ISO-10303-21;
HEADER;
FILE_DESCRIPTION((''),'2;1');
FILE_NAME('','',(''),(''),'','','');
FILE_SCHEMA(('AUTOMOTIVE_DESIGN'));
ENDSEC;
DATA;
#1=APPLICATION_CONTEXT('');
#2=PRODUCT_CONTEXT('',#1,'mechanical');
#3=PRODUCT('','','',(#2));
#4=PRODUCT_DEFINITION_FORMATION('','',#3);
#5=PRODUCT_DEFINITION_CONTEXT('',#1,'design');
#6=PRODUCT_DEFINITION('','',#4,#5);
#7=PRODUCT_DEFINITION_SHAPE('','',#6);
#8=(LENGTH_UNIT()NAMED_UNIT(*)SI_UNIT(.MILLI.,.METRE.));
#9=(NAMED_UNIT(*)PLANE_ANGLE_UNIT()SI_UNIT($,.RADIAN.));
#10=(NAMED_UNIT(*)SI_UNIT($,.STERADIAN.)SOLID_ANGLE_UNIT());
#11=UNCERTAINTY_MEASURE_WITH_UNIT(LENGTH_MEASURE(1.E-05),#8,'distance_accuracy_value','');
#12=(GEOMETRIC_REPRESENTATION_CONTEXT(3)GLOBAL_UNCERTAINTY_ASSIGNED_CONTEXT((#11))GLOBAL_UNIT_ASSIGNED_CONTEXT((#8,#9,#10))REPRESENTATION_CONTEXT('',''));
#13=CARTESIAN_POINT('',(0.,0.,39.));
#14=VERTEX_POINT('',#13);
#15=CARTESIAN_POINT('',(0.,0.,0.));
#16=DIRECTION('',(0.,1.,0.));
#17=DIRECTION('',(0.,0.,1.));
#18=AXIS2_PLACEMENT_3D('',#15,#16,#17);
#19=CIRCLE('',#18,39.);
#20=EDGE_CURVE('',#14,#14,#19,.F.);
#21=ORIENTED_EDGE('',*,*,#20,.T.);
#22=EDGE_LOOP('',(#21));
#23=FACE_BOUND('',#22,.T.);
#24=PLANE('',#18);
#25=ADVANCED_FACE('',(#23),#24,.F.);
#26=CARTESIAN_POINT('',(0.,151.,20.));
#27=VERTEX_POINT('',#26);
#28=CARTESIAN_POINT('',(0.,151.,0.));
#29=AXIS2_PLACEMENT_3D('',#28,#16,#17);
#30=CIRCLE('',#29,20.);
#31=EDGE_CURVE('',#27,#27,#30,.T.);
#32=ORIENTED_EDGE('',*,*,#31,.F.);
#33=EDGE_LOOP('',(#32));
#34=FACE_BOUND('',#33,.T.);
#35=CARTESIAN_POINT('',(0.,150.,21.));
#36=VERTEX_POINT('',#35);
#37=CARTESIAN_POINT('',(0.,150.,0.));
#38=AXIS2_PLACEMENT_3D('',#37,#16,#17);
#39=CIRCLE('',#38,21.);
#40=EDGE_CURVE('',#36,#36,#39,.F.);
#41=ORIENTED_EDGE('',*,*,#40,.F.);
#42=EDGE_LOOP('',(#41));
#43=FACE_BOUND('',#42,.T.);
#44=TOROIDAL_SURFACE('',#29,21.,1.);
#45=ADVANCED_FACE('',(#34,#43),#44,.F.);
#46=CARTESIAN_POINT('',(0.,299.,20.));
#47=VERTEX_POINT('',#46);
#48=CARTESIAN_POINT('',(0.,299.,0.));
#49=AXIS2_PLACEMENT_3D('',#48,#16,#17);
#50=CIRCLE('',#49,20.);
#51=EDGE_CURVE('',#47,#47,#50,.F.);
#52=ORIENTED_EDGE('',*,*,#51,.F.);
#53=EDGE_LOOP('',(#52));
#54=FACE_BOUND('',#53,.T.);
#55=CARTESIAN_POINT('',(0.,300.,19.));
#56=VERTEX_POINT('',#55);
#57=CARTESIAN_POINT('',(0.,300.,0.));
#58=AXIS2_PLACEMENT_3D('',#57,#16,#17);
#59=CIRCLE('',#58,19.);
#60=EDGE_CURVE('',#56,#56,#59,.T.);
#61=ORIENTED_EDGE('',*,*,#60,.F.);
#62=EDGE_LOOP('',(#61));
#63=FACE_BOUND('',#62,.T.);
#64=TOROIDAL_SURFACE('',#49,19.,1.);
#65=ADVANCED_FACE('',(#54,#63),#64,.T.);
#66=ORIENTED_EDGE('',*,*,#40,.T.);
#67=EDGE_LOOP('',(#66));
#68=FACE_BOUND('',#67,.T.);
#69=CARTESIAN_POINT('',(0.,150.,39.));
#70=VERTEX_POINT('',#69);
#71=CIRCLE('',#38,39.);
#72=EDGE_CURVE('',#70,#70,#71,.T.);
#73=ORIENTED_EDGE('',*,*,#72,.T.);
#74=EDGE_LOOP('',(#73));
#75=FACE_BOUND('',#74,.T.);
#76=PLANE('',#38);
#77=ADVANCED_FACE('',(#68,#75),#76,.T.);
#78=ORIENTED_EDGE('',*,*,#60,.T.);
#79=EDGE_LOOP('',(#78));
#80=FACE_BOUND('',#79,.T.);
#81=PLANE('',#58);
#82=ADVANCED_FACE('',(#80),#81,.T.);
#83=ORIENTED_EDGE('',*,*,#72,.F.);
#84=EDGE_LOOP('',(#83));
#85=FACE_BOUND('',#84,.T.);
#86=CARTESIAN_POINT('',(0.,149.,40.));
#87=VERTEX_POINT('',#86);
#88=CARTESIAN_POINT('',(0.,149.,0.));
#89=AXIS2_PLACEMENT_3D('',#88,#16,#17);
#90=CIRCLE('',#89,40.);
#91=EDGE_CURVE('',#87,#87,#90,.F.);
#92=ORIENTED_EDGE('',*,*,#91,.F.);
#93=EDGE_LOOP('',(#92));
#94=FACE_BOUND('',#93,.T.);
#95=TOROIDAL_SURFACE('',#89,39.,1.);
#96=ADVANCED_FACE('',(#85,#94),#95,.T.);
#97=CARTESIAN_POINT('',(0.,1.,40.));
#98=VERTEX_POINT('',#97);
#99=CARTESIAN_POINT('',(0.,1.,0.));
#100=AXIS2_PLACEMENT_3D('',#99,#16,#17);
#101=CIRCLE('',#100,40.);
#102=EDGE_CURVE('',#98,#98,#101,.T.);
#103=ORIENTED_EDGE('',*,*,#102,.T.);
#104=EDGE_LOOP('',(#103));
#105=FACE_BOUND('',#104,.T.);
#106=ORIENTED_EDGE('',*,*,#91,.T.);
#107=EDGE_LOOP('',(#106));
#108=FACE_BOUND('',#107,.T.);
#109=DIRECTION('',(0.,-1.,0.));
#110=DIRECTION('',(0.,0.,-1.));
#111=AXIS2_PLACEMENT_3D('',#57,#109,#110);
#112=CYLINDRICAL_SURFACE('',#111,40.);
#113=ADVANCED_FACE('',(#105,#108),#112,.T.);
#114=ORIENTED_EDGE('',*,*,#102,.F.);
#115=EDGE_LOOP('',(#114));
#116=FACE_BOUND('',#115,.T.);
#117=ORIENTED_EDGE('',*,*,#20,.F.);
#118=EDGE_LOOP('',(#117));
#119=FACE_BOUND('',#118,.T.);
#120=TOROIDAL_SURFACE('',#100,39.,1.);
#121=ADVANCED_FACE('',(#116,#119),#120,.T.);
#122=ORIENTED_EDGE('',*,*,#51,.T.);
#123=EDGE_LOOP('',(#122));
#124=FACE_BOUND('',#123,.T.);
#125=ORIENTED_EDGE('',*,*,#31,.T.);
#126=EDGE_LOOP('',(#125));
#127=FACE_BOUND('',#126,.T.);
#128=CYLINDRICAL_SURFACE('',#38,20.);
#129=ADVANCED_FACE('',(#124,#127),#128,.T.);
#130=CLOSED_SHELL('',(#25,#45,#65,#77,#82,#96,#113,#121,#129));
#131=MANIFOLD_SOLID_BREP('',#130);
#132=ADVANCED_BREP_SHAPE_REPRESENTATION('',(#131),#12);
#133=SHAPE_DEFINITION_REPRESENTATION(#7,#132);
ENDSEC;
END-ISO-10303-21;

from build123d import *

# Parameters (mm, degrees)
SKETCH_1_R          = 40
EXTRUDE_1_DEPTH     = 300
SKETCH_2_OUTSIDE_W  = 146.124
SKETCH_2_OUTSIDE_H  = 146.124
SKETCH_2_OUTSIDE_R  = 20
CUT_EXTRUDE_1_DEPTH = 150
FILLET_2_R          = 1
FILLET_3_R          = 1
FILLET_4_R          = 1
FILLET_5_R          = 1


with BuildPart() as part:
    # Эскиз1 → Бобышка-Вытянуть1 (new body)
    with BuildSketch(Plane(origin=(0, 0, 0), x_dir=(1, 0, 0), z_dir=(0, 1, 0))):
        with Locations(Location((0, 0, 0), (0, 0, 270))):
            Circle(SKETCH_1_R)
    extrude(amount=EXTRUDE_1_DEPTH)

    # Эскиз2 outside → Вырез-Вытянуть1 (cut)
    with BuildSketch(Plane(origin=(0, 300, 0), x_dir=(1, 0, 0), z_dir=(0, 1, 0))):
        Rectangle(SKETCH_2_OUTSIDE_W, SKETCH_2_OUTSIDE_H)
        with Locations(Location((0, 0, 0), (0, 0, 270))):
            Circle(SKETCH_2_OUTSIDE_R, mode=Mode.SUBTRACT)
    extrude(amount=-CUT_EXTRUDE_1_DEPTH, mode=Mode.SUBTRACT)

    # Скругление2
    fillet_2_edges = [part.edges().sort_by_distance(p)[0] for p in [
        (0, 150, -20),
    ]]
    fillet(fillet_2_edges, radius=FILLET_2_R)

    # Скругление3
    fillet_3_edges = [part.edges().sort_by_distance(p)[0] for p in [
        (0, 300, -20),
    ]]
    fillet(fillet_3_edges, radius=FILLET_3_R)

    # Скругление4
    fillet_4_edges = [part.edges().sort_by_distance(p)[0] for p in [
        (0, 0, -40),
    ]]
    fillet(fillet_4_edges, radius=FILLET_4_R)

    # Скругление5
    fillet_5_edges = [part.edges().sort_by_distance(p)[0] for p in [
        (0, 150, -40),
    ]]
    fillet(fillet_5_edges, radius=FILLET_5_R)


solid = part.part
